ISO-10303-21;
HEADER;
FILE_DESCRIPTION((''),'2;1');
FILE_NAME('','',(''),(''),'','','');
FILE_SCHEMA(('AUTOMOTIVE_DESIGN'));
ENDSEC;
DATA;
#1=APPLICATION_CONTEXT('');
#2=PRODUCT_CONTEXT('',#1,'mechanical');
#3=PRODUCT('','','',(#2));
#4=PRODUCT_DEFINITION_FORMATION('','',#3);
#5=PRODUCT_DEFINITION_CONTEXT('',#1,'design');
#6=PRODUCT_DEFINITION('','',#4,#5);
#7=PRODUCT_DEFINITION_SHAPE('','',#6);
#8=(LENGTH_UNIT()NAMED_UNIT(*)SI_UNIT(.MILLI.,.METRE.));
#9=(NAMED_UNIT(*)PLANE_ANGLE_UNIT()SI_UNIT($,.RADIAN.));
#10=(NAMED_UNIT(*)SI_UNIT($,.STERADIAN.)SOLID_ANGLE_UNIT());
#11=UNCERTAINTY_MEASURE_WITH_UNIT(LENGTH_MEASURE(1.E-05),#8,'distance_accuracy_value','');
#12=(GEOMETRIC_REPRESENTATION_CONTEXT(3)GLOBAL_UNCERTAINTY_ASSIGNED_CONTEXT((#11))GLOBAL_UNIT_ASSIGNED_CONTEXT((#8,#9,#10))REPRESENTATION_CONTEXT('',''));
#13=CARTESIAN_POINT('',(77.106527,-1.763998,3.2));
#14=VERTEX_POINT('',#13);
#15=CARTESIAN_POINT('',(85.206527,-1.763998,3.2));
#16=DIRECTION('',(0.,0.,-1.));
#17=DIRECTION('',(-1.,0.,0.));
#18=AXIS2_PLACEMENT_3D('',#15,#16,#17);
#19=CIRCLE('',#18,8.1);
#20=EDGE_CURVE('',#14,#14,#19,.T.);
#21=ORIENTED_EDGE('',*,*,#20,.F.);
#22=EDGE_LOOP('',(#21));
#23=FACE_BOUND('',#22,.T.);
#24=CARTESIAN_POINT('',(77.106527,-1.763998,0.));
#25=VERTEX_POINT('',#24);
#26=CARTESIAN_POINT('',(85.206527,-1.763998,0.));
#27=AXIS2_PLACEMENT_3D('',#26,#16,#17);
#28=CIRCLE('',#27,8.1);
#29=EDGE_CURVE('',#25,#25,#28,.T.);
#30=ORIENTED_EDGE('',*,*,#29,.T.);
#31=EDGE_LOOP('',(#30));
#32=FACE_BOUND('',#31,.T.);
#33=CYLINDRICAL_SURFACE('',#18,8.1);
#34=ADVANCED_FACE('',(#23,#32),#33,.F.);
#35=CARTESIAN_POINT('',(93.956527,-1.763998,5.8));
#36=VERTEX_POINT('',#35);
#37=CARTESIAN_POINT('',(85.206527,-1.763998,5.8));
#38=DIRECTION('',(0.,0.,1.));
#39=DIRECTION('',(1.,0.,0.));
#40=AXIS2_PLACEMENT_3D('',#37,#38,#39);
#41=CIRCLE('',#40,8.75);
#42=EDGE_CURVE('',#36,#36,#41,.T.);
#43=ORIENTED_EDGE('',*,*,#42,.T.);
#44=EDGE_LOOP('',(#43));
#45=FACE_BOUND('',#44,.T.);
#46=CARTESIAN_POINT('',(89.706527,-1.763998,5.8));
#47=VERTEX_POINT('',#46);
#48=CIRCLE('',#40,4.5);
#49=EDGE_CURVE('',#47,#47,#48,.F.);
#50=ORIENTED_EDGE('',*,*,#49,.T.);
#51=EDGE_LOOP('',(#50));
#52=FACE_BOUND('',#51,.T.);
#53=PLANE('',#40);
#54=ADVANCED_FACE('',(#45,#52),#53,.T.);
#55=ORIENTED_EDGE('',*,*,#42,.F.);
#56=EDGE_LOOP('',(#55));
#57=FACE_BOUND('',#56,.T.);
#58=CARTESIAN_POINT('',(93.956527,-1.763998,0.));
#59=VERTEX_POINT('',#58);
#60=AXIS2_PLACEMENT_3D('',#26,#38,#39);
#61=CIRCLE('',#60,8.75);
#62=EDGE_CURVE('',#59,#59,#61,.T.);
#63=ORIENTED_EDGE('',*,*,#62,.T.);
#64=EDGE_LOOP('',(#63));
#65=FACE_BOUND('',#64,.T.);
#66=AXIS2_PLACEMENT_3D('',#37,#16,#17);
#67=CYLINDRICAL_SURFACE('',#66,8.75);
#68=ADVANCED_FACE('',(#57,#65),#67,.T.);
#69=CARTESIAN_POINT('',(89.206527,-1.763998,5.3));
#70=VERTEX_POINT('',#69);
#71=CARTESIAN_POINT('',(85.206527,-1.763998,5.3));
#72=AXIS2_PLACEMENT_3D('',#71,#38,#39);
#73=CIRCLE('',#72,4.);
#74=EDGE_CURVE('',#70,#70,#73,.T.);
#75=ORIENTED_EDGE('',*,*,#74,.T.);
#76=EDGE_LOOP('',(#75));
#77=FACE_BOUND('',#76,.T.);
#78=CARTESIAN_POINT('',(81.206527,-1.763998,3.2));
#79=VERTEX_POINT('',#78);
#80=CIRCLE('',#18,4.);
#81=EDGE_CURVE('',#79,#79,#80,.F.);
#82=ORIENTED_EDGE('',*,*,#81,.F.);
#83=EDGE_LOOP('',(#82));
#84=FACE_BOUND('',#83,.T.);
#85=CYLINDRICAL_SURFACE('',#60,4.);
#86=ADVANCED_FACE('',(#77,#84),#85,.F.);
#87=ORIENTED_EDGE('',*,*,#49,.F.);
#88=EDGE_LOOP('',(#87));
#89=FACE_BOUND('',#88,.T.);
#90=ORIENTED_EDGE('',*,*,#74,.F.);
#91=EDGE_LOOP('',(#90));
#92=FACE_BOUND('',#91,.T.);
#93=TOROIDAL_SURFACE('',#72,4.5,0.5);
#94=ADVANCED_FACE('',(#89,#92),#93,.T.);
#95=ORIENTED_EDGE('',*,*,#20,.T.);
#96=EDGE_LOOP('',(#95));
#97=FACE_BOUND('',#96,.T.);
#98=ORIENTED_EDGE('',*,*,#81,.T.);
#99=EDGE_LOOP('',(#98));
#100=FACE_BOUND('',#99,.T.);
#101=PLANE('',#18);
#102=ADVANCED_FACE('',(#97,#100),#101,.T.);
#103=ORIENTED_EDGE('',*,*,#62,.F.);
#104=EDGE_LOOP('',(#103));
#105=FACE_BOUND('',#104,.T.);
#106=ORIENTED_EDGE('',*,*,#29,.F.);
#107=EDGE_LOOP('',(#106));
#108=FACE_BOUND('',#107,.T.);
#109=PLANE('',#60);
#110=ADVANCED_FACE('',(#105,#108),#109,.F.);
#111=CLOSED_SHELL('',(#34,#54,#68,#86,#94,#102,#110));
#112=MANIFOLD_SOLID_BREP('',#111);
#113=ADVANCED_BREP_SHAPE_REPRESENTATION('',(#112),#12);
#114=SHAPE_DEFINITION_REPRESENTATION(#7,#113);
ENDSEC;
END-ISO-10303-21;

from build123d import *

# Parameters (mm, degrees)
SKETCH1_R           = 8.75
BOSS_EXTRUDE1_DEPTH = 5.8
SKETCH2_R           = 4
CUT_EXTRUDE1_DEPTH  = 95.720711535
SKETCH3_R           = 8.1
CUT_EXTRUDE2_DEPTH  = 3.2
FILLET1_R           = 0.5


with BuildPart() as part:
    # Sketch1 → Boss-Extrude1 (new body)
    with BuildSketch(Plane.XY):
        with Locations((85.206527413, -1.763997815)):
            Circle(SKETCH1_R)
    extrude(amount=BOSS_EXTRUDE1_DEPTH)

    # Sketch2 → Cut-Extrude1 (cut, through all)
    with BuildSketch(Plane.XY.offset(5.8)):
        with Locations((85.206527413, -1.763997815)):
            Circle(SKETCH2_R)
    extrude(amount=-CUT_EXTRUDE1_DEPTH, mode=Mode.SUBTRACT)

    # Sketch3 → Cut-Extrude2 (cut)
    with BuildSketch(Plane(origin=(0, 0, 0), x_dir=(-1, 0, 0), z_dir=(0, 0, -1))):
        with Locations((-85.206527413, -1.763997815)):
            Circle(SKETCH3_R)
    extrude(amount=-CUT_EXTRUDE2_DEPTH, mode=Mode.SUBTRACT)

    # Fillet1
    fillet1_edges = [part.edges().sort_by_distance(p)[0] for p in [
        (81.206527413, -1.763997815, 5.8),
    ]]
    fillet(fillet1_edges, radius=FILLET1_R)


solid = part.part
